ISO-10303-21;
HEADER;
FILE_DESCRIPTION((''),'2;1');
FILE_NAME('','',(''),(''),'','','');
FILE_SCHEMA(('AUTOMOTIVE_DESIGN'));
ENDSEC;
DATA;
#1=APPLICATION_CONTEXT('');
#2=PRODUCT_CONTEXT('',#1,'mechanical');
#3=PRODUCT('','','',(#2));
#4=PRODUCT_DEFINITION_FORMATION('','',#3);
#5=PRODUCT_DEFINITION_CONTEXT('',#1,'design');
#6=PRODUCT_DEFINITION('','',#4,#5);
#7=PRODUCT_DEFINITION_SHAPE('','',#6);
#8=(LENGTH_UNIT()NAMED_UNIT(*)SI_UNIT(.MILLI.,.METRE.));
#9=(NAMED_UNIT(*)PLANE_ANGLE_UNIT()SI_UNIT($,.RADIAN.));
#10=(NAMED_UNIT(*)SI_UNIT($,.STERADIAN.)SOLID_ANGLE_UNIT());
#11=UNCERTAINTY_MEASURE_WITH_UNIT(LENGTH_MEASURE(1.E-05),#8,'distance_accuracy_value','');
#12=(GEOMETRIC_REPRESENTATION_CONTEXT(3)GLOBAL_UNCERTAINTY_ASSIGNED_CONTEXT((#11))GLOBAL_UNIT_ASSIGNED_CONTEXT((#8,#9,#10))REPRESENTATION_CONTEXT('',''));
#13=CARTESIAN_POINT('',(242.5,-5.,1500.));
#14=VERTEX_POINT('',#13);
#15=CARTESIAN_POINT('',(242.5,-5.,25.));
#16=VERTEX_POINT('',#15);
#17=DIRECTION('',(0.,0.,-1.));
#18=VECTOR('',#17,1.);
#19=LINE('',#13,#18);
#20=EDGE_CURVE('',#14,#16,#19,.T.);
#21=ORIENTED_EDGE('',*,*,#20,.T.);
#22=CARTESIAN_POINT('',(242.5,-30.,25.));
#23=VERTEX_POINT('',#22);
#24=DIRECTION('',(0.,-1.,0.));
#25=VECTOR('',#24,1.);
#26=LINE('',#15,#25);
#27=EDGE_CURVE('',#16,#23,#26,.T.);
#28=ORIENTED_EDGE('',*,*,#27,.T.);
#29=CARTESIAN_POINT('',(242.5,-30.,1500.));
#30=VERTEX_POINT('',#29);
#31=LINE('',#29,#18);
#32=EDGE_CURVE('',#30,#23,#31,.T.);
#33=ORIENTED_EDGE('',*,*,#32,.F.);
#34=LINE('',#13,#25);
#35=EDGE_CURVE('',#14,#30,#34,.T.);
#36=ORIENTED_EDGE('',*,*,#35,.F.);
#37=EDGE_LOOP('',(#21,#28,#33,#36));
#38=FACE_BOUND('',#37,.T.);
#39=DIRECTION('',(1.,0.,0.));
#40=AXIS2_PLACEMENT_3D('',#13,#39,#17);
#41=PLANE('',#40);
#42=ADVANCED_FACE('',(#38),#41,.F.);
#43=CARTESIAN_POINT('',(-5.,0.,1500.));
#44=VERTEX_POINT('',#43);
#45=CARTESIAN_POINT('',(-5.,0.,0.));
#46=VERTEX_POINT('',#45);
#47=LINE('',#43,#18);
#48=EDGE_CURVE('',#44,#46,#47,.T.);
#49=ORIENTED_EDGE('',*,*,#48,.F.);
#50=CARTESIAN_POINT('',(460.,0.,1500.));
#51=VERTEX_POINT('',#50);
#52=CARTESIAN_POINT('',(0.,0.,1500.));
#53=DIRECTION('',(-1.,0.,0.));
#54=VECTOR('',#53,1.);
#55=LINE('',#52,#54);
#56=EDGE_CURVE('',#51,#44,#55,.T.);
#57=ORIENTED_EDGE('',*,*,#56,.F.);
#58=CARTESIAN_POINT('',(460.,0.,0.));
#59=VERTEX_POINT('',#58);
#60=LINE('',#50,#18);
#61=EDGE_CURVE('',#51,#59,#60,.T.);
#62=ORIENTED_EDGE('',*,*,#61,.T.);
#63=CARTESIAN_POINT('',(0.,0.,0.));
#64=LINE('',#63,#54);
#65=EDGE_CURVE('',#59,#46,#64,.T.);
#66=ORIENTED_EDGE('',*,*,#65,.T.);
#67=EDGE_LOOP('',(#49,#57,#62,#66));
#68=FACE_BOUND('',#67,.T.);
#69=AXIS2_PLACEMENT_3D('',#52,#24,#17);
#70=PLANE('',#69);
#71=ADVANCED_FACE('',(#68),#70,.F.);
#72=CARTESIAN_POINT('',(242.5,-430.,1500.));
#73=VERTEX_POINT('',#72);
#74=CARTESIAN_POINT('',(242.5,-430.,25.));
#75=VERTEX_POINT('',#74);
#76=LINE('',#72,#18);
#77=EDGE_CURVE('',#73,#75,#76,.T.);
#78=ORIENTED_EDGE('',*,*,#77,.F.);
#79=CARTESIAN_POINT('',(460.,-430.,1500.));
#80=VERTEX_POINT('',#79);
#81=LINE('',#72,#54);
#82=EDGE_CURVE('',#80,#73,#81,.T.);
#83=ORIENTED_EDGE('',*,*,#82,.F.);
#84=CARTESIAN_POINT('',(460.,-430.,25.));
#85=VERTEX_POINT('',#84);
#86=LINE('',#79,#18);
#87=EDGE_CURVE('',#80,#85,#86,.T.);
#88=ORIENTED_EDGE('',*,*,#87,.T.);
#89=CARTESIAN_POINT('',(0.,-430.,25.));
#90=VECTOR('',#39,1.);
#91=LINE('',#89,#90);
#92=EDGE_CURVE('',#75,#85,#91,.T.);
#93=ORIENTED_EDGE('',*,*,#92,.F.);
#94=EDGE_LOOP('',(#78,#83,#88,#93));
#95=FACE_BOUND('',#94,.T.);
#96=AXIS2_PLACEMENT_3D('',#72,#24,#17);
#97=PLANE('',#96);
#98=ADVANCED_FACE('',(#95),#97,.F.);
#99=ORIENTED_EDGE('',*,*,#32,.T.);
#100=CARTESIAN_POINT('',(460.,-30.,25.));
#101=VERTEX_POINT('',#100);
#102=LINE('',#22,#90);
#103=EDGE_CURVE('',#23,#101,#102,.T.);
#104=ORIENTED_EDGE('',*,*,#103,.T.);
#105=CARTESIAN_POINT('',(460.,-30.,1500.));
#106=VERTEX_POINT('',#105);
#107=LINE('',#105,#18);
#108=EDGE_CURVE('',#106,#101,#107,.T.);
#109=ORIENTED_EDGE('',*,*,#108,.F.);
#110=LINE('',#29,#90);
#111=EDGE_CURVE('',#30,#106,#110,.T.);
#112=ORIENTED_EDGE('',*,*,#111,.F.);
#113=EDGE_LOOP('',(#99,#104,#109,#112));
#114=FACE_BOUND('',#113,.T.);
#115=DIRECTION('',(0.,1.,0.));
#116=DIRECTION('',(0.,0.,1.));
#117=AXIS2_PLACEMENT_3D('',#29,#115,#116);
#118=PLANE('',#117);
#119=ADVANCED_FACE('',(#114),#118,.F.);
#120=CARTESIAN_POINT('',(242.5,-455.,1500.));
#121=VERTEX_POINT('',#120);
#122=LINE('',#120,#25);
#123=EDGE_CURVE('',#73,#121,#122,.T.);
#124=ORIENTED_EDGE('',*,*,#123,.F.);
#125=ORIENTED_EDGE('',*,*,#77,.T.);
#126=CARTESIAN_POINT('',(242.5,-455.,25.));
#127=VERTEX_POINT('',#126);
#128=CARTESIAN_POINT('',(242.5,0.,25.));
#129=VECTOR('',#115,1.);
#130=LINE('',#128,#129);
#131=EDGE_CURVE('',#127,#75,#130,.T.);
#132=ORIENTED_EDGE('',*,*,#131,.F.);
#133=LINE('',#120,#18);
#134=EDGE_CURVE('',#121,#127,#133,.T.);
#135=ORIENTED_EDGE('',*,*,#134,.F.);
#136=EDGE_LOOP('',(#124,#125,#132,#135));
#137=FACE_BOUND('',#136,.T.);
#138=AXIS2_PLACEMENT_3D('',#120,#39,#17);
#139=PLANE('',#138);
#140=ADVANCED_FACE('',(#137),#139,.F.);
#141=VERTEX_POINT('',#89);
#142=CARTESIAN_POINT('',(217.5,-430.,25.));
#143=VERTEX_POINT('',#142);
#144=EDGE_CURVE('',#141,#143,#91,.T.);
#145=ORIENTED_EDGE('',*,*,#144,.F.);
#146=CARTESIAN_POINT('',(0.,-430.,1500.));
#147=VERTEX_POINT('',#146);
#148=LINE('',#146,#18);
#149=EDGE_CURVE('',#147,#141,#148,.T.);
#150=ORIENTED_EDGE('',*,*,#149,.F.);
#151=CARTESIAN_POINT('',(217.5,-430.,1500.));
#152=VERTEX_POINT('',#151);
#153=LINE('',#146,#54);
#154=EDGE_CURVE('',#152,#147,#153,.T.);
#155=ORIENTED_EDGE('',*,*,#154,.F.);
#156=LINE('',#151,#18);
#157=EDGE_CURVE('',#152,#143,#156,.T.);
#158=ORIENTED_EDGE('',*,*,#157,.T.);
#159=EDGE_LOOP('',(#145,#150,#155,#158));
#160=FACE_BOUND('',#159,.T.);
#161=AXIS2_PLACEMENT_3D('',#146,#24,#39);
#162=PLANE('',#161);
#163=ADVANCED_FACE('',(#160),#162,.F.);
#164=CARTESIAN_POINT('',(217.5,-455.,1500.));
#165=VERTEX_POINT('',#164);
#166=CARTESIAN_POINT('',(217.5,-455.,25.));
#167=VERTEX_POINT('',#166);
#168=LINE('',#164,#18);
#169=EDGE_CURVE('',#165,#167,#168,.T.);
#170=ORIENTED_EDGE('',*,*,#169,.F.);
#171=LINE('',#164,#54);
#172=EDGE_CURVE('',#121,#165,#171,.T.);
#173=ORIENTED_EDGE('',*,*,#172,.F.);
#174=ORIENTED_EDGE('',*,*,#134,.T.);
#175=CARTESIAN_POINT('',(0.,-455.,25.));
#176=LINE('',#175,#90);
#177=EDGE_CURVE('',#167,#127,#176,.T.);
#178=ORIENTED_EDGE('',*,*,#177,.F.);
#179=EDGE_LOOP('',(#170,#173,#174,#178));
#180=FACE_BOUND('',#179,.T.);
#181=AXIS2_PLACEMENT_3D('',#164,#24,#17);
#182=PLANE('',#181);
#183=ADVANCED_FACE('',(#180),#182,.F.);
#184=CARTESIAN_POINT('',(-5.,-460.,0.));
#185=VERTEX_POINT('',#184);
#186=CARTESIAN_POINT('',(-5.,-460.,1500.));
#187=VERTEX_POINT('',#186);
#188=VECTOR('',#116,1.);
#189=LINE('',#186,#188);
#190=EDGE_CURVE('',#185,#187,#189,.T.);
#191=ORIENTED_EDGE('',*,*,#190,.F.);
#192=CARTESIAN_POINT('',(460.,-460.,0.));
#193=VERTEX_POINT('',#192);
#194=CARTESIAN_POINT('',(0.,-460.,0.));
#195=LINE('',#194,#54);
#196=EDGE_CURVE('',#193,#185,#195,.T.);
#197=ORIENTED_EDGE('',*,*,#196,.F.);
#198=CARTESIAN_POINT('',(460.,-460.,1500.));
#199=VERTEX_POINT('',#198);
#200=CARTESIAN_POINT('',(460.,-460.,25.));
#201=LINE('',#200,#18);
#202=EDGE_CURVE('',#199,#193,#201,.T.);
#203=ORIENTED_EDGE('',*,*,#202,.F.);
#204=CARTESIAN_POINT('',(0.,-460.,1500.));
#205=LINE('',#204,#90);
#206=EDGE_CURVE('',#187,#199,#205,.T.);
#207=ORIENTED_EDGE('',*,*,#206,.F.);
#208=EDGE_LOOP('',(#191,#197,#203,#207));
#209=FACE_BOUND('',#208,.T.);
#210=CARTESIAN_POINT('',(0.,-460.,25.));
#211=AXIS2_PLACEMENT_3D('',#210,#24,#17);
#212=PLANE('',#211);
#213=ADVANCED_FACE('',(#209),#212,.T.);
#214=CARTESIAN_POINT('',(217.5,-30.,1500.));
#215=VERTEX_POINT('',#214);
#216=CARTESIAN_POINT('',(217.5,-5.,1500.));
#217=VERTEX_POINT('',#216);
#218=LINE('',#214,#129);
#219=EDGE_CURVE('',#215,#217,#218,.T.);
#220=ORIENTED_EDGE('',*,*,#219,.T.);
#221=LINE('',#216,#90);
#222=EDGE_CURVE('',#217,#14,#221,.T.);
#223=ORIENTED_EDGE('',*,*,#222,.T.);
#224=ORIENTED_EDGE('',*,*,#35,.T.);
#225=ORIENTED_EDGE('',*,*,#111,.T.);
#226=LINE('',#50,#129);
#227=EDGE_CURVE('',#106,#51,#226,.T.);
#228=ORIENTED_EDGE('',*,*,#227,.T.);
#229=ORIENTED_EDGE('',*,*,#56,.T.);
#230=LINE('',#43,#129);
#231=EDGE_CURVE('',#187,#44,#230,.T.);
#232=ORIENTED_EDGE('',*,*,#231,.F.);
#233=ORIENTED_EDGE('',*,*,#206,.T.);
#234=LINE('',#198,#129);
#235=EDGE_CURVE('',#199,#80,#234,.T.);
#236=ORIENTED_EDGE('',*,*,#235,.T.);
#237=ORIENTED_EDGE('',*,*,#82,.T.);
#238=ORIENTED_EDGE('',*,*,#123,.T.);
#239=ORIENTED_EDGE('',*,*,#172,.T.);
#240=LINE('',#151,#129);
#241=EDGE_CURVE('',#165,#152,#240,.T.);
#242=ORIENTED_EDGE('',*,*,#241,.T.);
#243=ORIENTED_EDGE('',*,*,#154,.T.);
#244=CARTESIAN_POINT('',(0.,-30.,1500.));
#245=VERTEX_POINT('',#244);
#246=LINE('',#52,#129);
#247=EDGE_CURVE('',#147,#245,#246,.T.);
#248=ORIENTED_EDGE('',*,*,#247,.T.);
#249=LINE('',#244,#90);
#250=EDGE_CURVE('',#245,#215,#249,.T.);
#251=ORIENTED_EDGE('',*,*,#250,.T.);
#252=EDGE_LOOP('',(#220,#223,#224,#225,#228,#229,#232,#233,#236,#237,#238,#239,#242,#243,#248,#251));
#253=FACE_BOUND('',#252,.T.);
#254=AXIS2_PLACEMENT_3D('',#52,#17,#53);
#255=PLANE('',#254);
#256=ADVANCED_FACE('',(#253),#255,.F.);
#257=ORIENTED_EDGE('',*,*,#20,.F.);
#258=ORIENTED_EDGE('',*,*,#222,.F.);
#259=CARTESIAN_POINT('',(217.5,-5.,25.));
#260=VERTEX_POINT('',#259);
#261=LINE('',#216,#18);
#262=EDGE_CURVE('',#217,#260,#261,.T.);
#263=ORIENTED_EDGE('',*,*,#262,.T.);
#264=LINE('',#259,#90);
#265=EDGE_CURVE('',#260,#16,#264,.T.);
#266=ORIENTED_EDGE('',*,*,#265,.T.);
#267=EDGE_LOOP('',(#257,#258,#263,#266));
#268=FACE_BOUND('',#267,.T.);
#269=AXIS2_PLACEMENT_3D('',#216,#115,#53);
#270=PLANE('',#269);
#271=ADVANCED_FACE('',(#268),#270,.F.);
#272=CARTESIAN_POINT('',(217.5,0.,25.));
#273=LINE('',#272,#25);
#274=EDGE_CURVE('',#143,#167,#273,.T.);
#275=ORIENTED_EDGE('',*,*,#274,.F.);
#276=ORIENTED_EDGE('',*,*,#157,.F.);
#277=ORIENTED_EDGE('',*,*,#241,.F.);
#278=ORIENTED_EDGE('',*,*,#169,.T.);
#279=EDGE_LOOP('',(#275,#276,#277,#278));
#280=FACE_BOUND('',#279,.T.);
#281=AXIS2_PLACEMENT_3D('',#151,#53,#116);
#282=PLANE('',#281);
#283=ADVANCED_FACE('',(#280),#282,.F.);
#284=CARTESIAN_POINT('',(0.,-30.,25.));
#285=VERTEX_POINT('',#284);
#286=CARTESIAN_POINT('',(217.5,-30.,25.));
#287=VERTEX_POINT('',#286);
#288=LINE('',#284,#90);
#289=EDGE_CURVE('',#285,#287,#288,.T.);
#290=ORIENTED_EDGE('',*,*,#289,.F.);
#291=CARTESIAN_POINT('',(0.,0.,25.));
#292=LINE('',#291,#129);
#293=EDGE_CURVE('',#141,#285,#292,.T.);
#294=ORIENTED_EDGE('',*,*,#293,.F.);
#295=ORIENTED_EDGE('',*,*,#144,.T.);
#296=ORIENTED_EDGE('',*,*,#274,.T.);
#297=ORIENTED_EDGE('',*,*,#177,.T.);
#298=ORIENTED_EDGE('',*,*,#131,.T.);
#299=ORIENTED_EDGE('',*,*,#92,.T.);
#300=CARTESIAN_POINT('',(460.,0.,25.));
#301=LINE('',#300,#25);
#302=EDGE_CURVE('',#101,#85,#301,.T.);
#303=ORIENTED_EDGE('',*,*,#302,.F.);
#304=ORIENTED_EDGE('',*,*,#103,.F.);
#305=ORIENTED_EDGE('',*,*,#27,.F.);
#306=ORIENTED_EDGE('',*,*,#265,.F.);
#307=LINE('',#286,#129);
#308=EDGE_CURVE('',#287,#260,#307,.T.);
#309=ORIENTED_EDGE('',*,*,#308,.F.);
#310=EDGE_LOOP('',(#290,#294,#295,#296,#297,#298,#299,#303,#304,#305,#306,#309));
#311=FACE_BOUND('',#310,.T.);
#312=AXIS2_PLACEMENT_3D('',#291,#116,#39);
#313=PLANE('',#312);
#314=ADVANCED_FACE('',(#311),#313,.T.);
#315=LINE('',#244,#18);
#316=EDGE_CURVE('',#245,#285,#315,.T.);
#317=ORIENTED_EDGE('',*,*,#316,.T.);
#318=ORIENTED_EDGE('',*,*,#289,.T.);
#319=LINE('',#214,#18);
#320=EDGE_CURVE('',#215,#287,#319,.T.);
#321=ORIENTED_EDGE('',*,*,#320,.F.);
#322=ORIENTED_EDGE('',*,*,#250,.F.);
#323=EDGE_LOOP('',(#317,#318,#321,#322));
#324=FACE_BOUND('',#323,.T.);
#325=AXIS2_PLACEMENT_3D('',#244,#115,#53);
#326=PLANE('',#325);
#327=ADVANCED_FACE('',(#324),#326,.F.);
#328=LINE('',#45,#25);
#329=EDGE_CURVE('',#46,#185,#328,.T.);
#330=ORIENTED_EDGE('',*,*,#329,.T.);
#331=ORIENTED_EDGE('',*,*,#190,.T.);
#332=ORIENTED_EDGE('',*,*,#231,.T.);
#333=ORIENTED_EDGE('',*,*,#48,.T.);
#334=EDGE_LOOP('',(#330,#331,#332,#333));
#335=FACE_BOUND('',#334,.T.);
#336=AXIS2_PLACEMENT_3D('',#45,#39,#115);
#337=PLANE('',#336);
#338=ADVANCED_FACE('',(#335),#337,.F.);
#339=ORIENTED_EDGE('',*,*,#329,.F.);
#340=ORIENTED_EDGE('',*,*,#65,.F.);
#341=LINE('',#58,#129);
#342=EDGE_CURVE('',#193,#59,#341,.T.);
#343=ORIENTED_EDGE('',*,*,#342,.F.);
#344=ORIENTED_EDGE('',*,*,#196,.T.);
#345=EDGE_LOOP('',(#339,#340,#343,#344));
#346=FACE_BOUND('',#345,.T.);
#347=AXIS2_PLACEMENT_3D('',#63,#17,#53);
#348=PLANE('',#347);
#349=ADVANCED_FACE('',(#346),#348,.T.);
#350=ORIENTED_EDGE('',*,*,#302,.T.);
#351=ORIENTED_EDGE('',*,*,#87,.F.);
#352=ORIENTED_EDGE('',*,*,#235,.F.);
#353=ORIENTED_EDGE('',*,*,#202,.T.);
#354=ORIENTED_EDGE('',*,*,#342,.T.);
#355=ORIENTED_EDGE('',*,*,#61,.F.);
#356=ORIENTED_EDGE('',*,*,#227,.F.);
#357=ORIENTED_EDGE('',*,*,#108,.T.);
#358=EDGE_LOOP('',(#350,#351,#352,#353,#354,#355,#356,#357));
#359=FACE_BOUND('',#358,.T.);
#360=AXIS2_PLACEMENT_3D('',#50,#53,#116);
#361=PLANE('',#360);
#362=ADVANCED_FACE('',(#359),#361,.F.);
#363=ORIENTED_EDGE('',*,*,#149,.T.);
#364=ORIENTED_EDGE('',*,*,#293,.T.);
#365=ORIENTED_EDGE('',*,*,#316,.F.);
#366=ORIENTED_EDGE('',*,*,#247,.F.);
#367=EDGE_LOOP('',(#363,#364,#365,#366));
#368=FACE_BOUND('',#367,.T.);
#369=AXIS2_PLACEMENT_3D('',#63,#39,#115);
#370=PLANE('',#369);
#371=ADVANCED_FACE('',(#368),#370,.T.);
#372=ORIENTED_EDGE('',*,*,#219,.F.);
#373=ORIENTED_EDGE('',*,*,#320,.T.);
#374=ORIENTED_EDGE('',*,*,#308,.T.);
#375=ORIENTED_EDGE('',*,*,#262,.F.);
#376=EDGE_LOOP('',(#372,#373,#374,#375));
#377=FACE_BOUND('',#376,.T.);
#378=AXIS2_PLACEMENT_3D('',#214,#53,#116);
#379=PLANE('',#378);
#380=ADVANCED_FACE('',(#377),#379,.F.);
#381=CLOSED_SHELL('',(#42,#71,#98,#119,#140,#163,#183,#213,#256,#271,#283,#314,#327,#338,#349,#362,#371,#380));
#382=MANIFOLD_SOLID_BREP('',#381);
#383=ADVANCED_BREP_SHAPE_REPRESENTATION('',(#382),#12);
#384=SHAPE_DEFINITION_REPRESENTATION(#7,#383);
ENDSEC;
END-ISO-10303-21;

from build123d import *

# Parameters (mm, degrees)
BOSS_EXTRUDE1_DEPTH   = 1500
BOSS_EXTRUDE1_2_DEPTH = 1500
SKETCH5_W             = 460
SKETCH5_H             = 460
BOSS_EXTRUDE5_DEPTH   = 25
SKETCH6_W             = 1500
SKETCH6_H             = 460
BOSS_EXTRUDE6_DEPTH   = 5


with BuildPart() as part:
    # Sketch1 → Boss-Extrude1 (new body)
    with BuildSketch(Plane.XY):
        Polygon((0, -30), (217.5, -30), (217.5, -5), (242.5, -5), (242.5, -30), (460, -30), (460, 0), (0, 0), align=None)
    extrude(amount=BOSS_EXTRUDE1_DEPTH)



with BuildPart() as body_2:
    # Sketch1 → Boss-Extrude1 2 (new body)
    with BuildSketch(Plane.XY):
        Polygon((242.5, -430), (460, -430), (460, -460), (0, -460), (0, -430), (217.5, -430), (217.5, -455), (242.5, -455), align=None)
    extrude(amount=BOSS_EXTRUDE1_2_DEPTH)


with BuildPart() as part_1:
    add(part.part)

    add(body_2.part)  # Boss-Extrude5 merges body 2
    # Sketch5 → Boss-Extrude5 (add)
    with BuildSketch(Plane(origin=(0, 0, 0), x_dir=(-1, 0, 0), z_dir=(0, 0, -1))):
        with Locations((-230, -230)):
            Rectangle(SKETCH5_W, SKETCH5_H)
    extrude(amount=-BOSS_EXTRUDE5_DEPTH)

    # Sketch6 → Boss-Extrude6 (add)
    with BuildSketch(Plane.ZY):
        with Locations((750, -230)):
            Rectangle(SKETCH6_W, SKETCH6_H)
    extrude(amount=BOSS_EXTRUDE6_DEPTH)


solid = part_1.part
